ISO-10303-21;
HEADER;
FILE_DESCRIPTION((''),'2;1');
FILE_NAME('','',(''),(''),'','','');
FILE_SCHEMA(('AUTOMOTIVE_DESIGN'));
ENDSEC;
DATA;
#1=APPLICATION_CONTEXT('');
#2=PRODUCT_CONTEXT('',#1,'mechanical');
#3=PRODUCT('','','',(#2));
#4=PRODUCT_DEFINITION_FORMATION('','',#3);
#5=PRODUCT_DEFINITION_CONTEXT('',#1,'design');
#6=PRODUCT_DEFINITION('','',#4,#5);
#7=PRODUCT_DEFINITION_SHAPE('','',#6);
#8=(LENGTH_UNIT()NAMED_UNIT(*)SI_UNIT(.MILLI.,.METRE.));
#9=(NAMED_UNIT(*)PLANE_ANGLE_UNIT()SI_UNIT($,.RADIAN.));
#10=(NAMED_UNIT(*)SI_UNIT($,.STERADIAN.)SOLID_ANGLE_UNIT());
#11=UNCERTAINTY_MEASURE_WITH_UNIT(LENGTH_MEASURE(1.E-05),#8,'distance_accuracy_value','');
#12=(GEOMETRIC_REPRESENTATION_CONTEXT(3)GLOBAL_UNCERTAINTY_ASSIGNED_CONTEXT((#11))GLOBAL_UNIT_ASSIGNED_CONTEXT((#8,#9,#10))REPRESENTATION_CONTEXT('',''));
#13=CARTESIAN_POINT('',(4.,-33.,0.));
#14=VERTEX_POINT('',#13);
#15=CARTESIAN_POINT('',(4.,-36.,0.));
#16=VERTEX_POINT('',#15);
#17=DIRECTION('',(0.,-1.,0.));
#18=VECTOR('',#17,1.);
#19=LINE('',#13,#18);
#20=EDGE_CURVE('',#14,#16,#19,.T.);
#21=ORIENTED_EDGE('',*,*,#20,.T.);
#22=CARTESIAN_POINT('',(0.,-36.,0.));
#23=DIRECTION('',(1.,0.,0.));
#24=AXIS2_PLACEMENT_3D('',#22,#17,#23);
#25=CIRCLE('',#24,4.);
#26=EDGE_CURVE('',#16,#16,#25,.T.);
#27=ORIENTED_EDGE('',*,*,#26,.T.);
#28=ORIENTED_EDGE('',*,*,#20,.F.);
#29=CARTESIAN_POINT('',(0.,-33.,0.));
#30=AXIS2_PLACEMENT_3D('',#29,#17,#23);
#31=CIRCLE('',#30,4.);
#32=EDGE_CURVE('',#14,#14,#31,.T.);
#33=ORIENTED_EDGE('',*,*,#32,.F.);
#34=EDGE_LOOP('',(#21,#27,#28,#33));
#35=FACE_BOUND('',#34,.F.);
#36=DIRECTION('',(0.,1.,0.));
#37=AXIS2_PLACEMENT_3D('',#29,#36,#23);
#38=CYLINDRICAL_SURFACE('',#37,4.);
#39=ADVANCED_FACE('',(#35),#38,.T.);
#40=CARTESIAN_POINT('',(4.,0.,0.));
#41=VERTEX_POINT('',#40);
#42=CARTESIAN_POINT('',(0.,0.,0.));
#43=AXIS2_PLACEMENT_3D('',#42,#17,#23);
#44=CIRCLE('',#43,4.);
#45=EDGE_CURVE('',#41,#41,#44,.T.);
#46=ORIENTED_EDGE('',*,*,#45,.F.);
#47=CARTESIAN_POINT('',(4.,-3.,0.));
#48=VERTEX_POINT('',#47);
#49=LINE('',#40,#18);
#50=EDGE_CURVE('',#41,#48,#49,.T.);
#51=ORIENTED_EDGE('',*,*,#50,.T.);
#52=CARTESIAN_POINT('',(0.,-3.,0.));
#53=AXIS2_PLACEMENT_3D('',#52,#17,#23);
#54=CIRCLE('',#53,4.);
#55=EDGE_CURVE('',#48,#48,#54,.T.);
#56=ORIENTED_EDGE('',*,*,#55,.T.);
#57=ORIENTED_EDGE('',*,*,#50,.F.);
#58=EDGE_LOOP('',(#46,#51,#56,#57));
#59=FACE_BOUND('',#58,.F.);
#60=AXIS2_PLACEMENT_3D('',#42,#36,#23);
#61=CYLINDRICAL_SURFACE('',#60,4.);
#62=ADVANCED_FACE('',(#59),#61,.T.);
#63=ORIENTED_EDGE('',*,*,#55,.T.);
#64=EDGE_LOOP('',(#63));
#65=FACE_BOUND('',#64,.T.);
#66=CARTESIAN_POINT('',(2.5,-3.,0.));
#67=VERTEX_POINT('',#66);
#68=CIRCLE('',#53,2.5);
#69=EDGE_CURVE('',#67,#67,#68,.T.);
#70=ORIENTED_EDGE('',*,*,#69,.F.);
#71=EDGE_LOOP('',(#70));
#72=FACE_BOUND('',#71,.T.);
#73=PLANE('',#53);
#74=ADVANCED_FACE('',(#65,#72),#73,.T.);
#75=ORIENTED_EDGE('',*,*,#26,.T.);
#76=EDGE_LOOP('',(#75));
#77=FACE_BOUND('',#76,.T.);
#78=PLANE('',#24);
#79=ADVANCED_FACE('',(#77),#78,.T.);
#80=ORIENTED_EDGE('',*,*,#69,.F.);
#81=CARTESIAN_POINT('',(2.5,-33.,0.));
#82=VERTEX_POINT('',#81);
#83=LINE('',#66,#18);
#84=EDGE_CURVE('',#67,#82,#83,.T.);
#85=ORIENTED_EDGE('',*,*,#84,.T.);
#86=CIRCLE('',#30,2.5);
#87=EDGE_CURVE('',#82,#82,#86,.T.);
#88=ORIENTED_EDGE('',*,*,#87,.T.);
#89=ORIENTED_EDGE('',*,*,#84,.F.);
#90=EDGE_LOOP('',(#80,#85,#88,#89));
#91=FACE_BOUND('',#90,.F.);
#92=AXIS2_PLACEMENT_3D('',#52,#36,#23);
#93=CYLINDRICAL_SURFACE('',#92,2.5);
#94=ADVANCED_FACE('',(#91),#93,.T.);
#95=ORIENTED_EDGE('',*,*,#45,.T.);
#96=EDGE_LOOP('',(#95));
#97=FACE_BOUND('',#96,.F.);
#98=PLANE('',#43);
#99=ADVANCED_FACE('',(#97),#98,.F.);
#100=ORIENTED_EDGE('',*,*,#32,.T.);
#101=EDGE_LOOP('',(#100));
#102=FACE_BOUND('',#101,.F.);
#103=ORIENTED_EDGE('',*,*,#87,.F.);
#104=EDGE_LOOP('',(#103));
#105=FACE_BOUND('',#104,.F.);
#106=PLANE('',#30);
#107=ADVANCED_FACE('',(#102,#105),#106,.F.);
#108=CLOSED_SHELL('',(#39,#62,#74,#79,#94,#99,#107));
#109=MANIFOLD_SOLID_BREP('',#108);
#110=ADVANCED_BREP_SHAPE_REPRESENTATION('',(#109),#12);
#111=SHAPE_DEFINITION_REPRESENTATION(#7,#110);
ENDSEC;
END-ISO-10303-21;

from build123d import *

# Parameters (mm, degrees)
F0_R     = 4
F1_DEPTH = 3
F2_R     = 2.5
F3_DEPTH = 30
F4_R     = 4
F4_R_2   = 2.5
F5_DEPTH = 3


with BuildPart() as f1:
    # F0 (on Front) → F1 (new body)
    with BuildSketch(Plane.XZ):
        Circle(F0_R)
    extrude(amount=F1_DEPTH)

    # F2 (on face) → F3 (join)
    with BuildSketch(Plane.XZ.offset(3)):
        Circle(F2_R)
    extrude(amount=F3_DEPTH)

    # F4 (on face) → F5 (join)
    with BuildSketch(Plane.XZ.offset(33)):
        Circle(F4_R)
        Circle(F4_R_2, mode=Mode.SUBTRACT)
        Circle(F4_R_2)
    extrude(amount=F5_DEPTH)


solid = f1.part
